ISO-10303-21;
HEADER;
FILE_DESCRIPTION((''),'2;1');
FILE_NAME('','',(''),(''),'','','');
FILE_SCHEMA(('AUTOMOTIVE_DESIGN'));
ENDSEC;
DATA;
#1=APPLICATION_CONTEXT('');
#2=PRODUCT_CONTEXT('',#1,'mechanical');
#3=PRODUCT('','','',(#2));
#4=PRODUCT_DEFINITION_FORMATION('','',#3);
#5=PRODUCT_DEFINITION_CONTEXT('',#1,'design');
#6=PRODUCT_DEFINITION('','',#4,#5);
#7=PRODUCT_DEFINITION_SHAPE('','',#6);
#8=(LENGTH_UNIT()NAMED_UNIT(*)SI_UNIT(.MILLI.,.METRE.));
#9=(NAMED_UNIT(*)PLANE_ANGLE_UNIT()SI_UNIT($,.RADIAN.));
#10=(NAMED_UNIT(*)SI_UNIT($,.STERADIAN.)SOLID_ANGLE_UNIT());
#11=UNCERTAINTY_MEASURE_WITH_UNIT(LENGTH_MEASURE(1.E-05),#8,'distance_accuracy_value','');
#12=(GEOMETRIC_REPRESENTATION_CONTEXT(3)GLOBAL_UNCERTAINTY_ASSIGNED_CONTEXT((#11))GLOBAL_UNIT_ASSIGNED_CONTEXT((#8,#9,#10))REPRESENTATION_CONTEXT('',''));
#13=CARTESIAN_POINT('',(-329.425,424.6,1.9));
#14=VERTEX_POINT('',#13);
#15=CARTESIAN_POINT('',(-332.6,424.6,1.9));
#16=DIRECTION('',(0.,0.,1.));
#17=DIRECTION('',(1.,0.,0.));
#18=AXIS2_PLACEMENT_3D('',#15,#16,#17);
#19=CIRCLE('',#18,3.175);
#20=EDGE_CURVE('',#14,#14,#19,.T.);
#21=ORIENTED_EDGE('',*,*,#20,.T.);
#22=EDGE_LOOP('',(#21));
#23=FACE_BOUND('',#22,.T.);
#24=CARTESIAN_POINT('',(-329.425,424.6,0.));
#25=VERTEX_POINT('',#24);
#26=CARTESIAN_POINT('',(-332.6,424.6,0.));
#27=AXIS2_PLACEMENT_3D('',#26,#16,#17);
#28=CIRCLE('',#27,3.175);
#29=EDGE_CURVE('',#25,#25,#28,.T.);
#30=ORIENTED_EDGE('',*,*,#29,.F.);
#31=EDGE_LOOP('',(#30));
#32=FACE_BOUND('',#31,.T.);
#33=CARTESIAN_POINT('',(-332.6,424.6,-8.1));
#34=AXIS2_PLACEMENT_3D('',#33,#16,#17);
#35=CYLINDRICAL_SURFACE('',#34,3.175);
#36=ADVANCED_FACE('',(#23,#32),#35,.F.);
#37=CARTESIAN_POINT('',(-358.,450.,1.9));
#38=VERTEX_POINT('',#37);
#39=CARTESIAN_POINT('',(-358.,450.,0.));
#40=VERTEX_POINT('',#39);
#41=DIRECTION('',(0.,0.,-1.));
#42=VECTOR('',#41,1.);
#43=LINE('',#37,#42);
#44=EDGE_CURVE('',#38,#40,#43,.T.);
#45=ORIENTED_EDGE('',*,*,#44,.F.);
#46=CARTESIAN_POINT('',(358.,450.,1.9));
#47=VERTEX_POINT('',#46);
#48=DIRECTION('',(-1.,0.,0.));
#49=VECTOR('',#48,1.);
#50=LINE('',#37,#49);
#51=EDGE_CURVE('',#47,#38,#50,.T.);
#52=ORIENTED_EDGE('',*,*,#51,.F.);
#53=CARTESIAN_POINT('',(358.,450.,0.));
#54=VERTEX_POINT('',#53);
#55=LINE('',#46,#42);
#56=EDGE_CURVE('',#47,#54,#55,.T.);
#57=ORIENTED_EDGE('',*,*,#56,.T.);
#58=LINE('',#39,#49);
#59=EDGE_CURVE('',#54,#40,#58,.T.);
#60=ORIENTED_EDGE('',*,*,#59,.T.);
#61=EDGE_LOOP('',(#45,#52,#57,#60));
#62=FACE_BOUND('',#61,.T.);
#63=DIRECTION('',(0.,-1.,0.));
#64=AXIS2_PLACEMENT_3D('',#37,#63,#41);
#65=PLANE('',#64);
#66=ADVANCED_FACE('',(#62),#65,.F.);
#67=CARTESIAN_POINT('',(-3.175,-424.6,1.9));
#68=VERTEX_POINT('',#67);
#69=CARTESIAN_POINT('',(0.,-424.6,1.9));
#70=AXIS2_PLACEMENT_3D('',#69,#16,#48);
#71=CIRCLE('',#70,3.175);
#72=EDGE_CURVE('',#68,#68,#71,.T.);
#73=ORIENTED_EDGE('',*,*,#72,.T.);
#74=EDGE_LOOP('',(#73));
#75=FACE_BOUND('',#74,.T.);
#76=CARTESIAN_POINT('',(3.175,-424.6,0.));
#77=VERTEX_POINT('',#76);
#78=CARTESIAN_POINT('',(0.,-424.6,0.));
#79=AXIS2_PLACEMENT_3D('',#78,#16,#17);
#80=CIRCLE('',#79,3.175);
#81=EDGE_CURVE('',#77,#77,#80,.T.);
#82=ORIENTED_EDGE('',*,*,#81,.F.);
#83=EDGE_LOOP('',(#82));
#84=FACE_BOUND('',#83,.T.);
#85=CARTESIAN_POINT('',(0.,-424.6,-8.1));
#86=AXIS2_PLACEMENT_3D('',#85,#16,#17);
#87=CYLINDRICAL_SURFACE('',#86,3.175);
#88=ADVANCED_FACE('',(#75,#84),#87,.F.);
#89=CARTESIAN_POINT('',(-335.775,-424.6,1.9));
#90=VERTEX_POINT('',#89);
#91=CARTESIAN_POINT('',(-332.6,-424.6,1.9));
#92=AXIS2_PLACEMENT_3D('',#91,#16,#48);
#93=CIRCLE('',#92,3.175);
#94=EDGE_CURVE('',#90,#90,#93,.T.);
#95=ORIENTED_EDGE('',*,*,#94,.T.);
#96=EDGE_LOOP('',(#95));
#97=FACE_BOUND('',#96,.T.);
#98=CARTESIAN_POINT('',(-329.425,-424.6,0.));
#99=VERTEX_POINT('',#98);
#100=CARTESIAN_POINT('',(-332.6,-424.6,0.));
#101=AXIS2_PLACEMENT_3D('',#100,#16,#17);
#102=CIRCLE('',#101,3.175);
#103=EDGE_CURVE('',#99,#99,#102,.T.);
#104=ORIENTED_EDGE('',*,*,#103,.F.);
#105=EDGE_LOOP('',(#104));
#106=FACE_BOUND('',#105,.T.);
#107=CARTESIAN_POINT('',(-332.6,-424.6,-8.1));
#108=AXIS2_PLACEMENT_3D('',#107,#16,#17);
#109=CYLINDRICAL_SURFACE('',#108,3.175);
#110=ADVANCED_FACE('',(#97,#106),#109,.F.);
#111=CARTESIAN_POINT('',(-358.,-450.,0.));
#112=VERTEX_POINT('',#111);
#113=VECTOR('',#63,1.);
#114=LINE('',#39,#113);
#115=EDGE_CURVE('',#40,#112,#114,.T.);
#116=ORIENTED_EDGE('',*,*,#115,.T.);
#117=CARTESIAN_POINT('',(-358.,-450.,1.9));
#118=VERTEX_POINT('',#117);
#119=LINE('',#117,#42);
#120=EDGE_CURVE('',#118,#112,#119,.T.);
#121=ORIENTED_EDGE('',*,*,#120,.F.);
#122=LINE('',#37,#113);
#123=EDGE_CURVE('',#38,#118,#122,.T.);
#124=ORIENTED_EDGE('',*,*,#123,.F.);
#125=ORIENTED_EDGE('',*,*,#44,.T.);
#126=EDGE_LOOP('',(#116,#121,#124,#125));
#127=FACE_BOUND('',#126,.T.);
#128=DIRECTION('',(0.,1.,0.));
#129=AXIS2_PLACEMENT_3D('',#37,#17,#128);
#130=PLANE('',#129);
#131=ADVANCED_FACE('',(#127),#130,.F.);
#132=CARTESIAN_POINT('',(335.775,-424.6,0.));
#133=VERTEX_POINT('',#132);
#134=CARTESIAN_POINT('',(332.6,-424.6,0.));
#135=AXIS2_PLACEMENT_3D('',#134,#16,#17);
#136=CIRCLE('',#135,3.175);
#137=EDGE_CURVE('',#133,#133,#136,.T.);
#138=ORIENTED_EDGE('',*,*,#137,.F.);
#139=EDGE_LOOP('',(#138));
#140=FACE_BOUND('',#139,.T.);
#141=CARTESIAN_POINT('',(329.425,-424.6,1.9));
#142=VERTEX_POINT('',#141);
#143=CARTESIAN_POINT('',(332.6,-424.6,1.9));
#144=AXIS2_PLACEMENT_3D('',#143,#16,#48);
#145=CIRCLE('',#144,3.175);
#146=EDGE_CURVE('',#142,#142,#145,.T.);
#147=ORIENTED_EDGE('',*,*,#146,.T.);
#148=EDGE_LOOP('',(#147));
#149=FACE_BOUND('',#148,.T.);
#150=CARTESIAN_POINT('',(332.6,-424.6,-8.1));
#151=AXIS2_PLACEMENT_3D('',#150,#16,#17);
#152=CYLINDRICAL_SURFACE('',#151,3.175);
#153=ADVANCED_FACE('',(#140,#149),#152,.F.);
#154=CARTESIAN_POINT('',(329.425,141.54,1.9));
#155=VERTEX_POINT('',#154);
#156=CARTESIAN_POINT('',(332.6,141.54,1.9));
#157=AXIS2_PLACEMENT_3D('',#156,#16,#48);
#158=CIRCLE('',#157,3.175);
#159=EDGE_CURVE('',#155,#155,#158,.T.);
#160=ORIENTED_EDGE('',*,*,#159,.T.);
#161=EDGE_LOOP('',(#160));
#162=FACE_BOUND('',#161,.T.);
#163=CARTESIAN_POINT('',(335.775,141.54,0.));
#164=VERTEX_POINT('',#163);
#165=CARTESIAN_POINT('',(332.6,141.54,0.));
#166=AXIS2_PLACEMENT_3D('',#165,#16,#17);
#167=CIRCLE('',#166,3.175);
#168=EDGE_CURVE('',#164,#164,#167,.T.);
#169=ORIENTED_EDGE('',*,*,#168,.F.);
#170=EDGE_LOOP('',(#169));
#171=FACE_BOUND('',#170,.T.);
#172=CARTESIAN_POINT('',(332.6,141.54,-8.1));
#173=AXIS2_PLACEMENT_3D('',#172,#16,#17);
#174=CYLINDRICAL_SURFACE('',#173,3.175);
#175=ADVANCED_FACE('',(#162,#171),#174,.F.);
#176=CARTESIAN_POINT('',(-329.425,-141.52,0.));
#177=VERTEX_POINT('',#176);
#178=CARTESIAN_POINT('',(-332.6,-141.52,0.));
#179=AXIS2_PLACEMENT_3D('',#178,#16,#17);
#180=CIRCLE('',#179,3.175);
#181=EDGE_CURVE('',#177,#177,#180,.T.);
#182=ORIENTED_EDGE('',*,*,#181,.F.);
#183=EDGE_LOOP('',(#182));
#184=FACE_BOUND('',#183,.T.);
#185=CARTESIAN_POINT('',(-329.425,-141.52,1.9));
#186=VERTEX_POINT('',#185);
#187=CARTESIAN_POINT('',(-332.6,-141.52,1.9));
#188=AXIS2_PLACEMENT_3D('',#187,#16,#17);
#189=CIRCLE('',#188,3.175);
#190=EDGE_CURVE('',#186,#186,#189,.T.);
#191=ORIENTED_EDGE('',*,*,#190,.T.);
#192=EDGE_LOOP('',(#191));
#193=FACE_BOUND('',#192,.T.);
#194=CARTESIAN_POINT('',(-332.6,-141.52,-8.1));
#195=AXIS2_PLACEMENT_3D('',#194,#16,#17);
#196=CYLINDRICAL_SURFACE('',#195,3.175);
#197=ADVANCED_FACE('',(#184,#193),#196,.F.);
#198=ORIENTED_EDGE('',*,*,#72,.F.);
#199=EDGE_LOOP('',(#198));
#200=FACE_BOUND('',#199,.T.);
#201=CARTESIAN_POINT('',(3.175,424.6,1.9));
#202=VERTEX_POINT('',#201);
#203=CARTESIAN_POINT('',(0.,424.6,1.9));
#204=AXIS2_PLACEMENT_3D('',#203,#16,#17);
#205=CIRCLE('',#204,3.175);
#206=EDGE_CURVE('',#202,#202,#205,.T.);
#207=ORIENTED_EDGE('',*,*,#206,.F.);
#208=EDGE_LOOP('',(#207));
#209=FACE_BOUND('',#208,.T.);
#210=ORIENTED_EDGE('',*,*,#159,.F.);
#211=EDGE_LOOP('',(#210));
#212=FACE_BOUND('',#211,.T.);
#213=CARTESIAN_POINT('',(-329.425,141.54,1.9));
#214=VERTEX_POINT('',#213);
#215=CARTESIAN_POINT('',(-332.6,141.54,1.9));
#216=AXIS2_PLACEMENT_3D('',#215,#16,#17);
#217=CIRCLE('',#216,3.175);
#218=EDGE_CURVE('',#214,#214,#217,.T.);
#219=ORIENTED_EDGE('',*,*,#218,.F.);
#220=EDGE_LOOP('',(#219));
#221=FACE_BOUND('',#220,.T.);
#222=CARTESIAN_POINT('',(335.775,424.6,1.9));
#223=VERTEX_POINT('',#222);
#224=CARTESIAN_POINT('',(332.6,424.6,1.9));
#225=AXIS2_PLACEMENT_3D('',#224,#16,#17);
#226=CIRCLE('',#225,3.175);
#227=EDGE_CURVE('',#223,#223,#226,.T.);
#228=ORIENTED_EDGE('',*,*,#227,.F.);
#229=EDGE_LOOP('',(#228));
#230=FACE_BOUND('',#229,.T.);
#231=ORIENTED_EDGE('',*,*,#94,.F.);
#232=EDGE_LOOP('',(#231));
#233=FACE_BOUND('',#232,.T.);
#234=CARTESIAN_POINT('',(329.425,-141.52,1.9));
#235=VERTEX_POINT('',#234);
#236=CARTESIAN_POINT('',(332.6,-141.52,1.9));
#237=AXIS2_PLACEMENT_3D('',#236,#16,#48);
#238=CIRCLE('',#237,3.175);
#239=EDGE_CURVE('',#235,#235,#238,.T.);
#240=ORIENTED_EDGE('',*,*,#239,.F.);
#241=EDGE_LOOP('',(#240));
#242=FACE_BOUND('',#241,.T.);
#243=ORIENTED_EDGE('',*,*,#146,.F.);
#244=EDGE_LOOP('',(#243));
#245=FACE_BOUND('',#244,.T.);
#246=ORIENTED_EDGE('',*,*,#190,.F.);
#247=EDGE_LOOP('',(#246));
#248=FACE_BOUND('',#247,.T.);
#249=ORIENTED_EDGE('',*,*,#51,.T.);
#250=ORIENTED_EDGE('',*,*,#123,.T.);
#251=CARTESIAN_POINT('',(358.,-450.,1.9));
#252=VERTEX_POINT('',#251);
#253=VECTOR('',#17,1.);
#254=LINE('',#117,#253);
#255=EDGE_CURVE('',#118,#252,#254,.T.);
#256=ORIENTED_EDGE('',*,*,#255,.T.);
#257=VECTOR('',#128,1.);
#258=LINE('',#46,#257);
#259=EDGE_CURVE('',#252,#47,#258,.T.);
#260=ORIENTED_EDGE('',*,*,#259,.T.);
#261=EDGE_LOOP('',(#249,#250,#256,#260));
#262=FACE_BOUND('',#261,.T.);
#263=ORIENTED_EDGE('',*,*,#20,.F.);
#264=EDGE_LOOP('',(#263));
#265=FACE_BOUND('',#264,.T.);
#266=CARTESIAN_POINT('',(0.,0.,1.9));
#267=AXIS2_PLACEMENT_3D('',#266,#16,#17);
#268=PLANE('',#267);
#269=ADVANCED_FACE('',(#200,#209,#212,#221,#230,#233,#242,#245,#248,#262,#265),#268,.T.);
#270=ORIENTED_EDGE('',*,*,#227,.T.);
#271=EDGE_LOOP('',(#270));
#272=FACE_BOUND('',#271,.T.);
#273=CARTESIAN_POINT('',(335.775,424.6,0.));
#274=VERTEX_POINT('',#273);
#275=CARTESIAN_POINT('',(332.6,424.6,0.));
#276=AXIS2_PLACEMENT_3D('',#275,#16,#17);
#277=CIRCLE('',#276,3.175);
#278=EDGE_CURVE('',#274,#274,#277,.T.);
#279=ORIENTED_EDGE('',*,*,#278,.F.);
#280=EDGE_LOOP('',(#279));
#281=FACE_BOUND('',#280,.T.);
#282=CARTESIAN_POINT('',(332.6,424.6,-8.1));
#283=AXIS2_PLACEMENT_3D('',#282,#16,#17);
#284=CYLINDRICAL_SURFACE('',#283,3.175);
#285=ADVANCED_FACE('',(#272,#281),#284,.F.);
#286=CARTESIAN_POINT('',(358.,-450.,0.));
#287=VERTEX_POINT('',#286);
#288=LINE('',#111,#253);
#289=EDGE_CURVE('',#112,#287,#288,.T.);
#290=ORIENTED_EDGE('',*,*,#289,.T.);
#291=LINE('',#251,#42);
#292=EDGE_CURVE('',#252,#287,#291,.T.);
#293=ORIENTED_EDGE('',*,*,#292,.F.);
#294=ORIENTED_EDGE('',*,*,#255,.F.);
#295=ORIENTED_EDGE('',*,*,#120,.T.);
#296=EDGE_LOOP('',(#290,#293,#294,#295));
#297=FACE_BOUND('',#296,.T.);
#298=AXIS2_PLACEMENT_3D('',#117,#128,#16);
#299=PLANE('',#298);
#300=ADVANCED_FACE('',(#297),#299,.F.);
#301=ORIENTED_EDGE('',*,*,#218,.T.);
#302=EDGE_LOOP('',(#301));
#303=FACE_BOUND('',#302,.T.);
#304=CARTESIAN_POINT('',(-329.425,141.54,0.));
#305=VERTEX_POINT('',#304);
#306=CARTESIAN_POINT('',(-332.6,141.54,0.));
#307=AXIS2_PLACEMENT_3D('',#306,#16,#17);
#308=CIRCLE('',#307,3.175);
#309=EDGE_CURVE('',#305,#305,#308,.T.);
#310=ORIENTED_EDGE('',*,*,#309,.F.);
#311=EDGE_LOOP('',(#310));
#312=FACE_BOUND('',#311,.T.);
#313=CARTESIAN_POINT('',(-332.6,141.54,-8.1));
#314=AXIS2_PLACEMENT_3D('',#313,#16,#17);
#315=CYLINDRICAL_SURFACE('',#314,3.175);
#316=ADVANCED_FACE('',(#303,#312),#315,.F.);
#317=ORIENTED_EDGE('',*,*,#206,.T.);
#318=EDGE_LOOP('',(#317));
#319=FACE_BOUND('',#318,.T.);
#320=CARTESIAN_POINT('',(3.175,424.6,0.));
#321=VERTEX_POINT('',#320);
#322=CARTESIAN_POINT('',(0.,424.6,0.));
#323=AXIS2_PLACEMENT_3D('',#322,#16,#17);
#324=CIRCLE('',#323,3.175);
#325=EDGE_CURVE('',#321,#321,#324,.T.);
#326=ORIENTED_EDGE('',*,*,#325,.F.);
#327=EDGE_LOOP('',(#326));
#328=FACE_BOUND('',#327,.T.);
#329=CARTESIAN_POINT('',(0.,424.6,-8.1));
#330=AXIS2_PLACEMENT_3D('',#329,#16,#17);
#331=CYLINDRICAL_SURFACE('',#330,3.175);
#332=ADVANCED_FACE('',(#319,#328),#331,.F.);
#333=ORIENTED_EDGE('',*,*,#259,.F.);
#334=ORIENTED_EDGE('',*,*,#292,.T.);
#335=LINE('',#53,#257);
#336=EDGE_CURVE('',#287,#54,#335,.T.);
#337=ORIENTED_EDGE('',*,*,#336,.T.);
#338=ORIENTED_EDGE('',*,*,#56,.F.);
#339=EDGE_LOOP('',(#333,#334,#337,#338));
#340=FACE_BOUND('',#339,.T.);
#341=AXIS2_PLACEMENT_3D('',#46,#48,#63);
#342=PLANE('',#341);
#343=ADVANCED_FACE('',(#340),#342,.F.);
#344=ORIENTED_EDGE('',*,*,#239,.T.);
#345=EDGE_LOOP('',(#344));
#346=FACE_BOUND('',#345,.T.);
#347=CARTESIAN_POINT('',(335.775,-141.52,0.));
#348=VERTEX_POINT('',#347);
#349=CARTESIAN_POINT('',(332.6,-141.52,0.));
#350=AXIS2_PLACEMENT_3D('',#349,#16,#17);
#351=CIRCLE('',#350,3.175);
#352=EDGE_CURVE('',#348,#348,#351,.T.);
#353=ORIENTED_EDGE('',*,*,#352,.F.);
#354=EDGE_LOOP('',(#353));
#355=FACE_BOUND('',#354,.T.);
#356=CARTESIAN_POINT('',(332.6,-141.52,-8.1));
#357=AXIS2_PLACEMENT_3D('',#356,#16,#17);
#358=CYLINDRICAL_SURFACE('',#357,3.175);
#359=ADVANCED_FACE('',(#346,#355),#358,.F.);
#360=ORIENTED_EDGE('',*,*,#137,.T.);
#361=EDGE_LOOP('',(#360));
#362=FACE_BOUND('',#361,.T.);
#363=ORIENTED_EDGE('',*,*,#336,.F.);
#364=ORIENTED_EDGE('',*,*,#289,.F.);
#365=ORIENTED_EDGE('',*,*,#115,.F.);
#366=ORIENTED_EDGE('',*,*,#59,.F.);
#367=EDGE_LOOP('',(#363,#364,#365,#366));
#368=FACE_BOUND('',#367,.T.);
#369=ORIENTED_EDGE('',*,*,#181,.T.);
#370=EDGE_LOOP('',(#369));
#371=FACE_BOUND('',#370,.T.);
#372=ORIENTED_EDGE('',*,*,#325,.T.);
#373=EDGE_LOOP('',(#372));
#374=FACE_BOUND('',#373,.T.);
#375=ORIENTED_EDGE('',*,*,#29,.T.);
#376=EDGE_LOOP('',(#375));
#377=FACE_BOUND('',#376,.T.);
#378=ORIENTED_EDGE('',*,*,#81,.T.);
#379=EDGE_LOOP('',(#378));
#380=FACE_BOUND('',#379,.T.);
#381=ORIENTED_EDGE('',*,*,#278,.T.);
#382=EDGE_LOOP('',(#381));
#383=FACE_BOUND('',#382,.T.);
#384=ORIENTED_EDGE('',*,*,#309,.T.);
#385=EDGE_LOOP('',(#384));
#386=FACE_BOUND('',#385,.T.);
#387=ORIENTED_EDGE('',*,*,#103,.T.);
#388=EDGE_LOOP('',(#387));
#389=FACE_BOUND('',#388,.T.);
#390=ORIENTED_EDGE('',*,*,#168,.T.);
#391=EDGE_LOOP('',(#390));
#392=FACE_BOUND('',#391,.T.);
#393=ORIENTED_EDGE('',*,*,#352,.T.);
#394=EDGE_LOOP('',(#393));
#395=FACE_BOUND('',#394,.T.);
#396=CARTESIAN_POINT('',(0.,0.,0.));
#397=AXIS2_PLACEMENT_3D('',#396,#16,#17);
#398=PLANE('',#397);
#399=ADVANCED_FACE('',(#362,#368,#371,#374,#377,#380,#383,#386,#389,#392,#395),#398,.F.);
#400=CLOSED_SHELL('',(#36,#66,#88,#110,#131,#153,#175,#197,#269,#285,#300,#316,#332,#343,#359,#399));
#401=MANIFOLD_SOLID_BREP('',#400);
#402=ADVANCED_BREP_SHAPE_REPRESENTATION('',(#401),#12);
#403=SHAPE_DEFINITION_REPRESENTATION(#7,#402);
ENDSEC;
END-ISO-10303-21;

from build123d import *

# Parameters (mm, degrees)
CROQUIS1_W              = 716
CROQUIS1_H              = 900
SALIENTE_EXTRUIR1_DEPTH = 1.9
CROQUIS2_R              = 3.175
CORTAR_EXTRUIR1_DEPTH   = 10


with BuildPart() as part:
    # Croquis1 → Saliente-Extruir1 (new body)
    with BuildSketch(Plane.XY):
        Rectangle(CROQUIS1_W, CROQUIS1_H)
    extrude(amount=SALIENTE_EXTRUIR1_DEPTH)

    # Croquis2 → Cortar-Extruir1 (cut)
    with BuildSketch(Plane.XY.offset(1.9)):
        with Locations((-332.6, 424.6)):
            Circle(CROQUIS2_R)
        with Locations((332.6, 424.6)):
            Circle(CROQUIS2_R)
        with Locations((0, 424.6)):
            Circle(CROQUIS2_R)
        with Locations((332.6, -424.6)):
            Circle(CROQUIS2_R)
        with Locations((0, -424.6)):
            Circle(CROQUIS2_R)
        with Locations((-332.6, -424.6)):
            Circle(CROQUIS2_R)
        with Locations((-332.6, 141.54)):
            Circle(CROQUIS2_R)
        with Locations((-332.6, -141.52)):
            Circle(CROQUIS2_R)
        with Locations((332.6, -141.52)):
            Circle(CROQUIS2_R)
        with Locations((332.6, 141.54)):
            Circle(CROQUIS2_R)
    extrude(amount=-CORTAR_EXTRUIR1_DEPTH, mode=Mode.SUBTRACT)


solid = part.part
